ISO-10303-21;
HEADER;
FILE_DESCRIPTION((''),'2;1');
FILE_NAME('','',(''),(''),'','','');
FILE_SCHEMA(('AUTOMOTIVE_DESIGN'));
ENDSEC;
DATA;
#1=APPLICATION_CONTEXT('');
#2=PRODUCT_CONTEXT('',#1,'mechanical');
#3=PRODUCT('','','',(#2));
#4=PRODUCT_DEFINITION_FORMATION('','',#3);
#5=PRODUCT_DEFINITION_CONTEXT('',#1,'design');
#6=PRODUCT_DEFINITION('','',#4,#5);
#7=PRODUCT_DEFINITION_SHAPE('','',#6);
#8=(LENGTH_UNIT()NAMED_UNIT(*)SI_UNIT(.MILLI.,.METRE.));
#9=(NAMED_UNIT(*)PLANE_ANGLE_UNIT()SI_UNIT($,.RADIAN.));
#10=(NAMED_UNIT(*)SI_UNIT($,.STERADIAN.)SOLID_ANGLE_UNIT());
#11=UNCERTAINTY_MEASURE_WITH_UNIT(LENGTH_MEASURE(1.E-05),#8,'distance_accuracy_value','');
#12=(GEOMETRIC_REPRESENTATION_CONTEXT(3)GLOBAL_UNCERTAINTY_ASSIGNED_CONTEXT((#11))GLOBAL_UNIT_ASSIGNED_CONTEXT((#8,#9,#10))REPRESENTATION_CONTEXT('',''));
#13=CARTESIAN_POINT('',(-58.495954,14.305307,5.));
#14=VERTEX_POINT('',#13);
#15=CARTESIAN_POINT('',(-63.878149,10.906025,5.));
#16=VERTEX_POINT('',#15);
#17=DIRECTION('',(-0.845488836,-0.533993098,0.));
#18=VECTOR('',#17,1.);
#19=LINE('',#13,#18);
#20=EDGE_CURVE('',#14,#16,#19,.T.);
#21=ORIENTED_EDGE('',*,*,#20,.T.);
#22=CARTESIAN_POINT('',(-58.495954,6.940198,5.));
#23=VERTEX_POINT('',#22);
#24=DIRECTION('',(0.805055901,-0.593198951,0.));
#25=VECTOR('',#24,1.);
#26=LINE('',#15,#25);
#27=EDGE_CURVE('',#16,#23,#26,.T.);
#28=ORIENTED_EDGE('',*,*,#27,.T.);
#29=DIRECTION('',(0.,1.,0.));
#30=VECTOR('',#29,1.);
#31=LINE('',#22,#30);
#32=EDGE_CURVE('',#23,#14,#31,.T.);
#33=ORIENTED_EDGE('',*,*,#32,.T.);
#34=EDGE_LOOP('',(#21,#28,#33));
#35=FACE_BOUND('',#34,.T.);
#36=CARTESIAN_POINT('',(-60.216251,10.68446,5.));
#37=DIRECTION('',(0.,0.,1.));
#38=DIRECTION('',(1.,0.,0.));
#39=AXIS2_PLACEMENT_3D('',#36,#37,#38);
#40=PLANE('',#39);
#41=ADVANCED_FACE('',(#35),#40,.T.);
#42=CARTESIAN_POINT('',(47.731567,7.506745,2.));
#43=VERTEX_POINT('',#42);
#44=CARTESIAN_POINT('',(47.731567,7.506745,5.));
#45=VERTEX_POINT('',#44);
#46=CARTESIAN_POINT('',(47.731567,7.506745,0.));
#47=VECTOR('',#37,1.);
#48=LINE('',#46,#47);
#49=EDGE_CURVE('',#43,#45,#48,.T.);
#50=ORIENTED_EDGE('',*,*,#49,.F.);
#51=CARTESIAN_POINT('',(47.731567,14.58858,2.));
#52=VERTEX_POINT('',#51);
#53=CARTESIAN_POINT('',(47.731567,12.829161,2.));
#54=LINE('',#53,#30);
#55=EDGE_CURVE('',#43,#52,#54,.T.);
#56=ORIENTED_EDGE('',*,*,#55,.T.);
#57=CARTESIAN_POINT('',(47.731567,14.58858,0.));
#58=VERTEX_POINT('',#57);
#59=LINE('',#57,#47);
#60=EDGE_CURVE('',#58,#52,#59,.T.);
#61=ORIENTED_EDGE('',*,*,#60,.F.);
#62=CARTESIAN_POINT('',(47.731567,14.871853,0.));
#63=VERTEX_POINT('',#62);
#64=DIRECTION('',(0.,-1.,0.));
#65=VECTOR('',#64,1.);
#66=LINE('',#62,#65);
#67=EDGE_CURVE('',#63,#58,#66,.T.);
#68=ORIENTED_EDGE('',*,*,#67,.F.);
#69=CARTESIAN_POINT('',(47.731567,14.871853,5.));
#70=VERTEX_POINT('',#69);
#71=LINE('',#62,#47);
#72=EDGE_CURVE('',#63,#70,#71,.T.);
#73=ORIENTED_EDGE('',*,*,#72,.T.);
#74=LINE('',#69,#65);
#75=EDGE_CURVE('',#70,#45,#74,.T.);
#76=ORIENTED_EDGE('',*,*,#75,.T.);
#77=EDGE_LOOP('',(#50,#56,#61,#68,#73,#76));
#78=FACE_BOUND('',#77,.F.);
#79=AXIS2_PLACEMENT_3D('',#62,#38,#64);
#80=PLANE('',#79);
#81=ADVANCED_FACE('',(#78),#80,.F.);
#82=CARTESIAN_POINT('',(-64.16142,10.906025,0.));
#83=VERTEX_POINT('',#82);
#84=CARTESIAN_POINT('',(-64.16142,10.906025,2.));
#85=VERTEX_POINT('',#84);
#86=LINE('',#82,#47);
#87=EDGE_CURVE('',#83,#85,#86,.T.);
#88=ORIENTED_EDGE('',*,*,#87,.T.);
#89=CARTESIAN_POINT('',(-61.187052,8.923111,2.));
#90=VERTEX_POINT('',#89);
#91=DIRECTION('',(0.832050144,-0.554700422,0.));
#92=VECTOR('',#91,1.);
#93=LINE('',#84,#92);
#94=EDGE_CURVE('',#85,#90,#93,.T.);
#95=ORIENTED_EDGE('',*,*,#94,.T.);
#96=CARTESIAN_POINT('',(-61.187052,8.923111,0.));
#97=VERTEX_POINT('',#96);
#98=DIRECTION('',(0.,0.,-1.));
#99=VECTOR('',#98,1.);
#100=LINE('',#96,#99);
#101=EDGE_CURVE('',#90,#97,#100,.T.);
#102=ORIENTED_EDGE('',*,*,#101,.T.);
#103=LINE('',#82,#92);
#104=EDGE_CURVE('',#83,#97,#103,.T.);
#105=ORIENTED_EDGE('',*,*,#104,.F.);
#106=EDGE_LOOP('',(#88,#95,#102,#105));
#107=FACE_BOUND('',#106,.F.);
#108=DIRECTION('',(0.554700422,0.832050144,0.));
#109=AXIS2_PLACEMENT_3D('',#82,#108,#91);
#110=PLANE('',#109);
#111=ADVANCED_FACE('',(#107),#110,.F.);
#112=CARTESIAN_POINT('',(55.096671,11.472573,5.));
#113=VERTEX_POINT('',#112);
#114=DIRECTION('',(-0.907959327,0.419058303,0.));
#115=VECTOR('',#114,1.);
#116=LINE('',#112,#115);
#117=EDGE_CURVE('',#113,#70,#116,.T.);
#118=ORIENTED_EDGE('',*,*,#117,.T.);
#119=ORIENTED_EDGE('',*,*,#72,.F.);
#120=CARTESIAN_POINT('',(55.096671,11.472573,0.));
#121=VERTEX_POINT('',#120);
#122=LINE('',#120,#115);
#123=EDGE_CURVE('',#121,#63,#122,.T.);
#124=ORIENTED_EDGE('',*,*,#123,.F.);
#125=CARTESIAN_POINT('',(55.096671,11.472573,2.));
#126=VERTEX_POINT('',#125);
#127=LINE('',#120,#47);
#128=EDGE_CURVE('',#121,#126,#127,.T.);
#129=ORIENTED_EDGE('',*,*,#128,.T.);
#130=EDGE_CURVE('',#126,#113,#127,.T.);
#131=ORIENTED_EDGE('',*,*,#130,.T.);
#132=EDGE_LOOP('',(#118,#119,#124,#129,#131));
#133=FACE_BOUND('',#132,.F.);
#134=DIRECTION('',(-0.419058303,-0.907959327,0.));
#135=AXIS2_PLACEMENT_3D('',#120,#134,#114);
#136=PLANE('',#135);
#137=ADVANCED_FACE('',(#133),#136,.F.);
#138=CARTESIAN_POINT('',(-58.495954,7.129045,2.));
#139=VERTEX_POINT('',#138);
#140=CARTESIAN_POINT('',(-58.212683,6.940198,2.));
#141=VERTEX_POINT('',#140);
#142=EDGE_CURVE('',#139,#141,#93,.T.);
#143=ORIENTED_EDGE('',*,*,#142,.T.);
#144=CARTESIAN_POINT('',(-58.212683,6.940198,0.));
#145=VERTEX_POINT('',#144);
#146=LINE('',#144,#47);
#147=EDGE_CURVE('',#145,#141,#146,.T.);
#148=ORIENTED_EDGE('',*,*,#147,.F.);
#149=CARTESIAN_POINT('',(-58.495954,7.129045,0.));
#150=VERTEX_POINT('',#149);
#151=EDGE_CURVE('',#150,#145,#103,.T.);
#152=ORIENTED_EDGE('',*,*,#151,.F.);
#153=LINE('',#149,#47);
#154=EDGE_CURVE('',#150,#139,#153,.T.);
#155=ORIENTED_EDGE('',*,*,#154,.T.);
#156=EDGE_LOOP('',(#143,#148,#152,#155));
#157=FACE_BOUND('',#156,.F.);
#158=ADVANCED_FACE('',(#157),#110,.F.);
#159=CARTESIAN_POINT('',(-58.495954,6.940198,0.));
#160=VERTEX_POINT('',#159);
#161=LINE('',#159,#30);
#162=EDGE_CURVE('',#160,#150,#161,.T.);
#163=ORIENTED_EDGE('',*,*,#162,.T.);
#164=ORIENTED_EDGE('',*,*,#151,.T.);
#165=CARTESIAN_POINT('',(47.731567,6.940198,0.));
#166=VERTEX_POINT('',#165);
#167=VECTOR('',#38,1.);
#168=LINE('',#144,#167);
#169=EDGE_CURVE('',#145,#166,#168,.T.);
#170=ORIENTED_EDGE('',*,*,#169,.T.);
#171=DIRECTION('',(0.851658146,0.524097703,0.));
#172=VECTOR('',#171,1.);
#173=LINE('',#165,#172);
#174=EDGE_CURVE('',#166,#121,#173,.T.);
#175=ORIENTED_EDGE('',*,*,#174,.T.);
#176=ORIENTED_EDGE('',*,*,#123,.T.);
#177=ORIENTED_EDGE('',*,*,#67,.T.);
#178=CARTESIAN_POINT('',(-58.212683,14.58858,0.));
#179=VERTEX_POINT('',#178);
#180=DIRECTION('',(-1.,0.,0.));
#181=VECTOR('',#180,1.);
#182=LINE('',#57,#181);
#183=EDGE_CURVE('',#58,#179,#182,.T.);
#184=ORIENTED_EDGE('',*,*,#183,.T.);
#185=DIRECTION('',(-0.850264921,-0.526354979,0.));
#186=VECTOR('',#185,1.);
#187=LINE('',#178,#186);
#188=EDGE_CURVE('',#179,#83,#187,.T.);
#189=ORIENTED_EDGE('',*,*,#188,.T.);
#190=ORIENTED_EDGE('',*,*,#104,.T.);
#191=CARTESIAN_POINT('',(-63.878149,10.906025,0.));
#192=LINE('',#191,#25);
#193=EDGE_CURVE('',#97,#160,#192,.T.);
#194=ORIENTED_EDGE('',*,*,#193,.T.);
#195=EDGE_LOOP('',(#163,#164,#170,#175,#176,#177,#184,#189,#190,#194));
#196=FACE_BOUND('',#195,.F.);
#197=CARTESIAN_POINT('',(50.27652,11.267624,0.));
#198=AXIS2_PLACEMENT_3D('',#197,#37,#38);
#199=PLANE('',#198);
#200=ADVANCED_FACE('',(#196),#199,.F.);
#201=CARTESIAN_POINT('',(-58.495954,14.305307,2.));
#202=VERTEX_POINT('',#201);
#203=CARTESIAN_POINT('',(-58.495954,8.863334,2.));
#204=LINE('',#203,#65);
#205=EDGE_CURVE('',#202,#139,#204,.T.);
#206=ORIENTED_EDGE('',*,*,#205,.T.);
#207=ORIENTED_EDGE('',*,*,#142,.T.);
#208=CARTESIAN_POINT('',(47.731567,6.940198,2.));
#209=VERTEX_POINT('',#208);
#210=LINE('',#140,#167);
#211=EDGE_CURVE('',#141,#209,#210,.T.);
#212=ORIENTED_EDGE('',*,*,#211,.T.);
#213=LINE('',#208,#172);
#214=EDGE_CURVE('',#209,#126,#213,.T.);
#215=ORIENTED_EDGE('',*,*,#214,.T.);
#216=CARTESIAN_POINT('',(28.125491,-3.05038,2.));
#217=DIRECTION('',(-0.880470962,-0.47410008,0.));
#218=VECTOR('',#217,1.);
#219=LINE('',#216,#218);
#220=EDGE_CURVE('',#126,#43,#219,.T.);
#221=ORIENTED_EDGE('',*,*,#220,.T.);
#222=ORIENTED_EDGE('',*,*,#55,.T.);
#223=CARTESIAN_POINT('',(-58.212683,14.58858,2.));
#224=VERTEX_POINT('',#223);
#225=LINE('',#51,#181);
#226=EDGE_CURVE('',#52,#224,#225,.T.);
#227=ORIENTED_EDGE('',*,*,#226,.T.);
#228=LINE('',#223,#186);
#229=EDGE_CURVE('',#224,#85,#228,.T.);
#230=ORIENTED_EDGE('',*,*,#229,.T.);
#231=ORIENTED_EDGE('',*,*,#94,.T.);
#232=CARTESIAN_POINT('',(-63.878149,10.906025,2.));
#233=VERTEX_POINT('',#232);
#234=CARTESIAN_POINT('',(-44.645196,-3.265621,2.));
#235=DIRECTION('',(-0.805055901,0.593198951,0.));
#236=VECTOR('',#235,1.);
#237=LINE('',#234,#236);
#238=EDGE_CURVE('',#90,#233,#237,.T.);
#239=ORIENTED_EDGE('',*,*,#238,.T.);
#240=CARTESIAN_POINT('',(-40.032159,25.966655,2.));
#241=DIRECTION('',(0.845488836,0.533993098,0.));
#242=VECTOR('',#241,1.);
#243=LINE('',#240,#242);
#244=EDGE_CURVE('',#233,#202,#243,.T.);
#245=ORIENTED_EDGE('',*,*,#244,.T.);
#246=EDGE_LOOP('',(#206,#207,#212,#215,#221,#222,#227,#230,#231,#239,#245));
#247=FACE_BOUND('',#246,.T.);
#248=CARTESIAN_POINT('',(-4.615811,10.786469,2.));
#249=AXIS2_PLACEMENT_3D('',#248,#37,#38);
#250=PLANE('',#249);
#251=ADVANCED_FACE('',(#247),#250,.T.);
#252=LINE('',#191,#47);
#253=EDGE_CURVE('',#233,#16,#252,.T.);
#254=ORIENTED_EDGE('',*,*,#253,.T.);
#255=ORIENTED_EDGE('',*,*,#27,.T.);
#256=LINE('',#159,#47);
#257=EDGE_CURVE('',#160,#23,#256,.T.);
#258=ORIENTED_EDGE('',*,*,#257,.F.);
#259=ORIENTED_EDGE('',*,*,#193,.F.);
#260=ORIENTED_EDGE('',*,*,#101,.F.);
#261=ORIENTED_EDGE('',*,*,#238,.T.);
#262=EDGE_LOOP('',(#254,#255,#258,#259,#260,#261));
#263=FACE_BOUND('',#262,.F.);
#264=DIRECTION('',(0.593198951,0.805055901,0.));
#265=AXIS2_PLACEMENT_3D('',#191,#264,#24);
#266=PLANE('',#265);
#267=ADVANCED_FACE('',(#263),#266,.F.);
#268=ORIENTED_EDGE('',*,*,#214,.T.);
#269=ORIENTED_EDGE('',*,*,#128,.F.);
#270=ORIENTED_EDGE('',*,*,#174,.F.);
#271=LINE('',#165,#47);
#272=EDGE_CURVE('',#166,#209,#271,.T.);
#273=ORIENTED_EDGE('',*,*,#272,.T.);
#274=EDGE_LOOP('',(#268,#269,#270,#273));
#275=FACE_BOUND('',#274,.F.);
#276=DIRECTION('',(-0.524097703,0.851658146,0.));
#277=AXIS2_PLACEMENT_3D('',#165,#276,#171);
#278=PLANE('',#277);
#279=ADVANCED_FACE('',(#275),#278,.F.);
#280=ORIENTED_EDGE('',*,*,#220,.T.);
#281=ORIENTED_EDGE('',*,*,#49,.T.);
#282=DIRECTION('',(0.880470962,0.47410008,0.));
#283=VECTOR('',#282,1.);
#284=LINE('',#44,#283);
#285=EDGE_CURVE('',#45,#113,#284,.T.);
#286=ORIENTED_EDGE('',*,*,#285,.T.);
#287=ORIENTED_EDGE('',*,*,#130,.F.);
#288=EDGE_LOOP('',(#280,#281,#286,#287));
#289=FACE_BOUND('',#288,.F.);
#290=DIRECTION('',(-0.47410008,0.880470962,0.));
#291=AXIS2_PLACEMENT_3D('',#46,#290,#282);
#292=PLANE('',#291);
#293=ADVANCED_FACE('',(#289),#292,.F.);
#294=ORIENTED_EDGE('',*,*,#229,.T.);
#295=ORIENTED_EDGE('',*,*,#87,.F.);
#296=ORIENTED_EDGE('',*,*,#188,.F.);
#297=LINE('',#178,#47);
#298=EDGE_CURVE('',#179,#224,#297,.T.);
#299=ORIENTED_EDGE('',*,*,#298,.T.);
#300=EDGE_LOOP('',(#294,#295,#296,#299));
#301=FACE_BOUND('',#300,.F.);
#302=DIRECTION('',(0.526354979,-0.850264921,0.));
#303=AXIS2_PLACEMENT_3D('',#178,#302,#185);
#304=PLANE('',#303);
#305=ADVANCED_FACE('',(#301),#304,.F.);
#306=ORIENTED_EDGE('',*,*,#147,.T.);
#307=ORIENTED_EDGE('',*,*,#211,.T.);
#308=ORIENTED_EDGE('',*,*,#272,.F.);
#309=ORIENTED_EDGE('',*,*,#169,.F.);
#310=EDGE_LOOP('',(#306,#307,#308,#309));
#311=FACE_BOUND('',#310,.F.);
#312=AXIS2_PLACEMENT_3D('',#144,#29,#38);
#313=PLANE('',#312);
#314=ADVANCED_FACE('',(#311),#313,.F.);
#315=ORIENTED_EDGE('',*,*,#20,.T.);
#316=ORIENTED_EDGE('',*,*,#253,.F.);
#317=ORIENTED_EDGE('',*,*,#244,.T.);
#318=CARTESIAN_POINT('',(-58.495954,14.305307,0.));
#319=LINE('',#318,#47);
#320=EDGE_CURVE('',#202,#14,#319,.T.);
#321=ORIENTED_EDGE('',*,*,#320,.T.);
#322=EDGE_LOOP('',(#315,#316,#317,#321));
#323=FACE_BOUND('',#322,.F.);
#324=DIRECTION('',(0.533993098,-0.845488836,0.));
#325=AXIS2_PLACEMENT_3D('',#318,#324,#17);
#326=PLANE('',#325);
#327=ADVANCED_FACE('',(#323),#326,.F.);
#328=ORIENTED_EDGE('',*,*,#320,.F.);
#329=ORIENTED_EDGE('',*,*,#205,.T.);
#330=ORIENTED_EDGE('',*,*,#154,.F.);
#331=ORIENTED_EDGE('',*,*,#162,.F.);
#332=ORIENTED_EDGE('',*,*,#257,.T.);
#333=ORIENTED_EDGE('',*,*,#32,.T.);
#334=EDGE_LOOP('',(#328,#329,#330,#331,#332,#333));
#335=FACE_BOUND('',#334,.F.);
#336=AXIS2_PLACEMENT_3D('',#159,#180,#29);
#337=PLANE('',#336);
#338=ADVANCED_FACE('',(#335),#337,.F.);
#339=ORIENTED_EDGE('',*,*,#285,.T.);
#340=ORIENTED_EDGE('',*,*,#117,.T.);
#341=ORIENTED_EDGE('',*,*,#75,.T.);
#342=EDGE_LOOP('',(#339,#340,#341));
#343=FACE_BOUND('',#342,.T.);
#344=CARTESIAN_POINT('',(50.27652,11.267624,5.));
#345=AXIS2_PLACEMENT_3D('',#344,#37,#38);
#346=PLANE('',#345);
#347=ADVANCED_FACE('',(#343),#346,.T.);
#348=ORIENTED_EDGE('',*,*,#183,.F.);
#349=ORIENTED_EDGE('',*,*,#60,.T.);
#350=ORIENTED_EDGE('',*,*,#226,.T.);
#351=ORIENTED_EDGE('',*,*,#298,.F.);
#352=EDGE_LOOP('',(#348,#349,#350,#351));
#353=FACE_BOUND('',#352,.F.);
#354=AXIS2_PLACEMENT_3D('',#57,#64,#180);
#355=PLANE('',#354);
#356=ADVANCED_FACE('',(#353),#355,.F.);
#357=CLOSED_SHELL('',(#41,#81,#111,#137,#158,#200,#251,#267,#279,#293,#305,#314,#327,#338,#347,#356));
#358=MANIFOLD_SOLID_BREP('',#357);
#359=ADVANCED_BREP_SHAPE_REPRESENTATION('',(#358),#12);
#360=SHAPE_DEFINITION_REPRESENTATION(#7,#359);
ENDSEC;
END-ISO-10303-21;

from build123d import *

# Parameters (mm, degrees)
F1_DEPTH = 2
F3_DEPTH = 5
F5_DEPTH = 5


with BuildPart() as f1:
    # F0 (on Top) → F1 (new body)
    with BuildSketch(Plane.XY):
        Polygon((47.731567, 14.58858), (-58.212683, 14.58858), (-64.16142, 10.906025), (-58.212683, 6.940198), (47.731567, 6.940198), (55.096671, 11.472573), align=None)
    extrude(amount=F1_DEPTH)

    # F2 (on Top) → F3 (join)
    with BuildSketch(Plane.XY):
        Polygon((-58.495954, 14.305307), (-63.878149, 10.906025), (-58.495954, 6.940198), align=None)
    extrude(amount=F3_DEPTH)

    # F4 (on Top) → F5 (join)
    with BuildSketch(Plane.XY):
        Polygon((55.096671, 11.472573), (47.731567, 14.871853), (47.731567, 7.506745), align=None)
    extrude(amount=F5_DEPTH)


solid = f1.part
